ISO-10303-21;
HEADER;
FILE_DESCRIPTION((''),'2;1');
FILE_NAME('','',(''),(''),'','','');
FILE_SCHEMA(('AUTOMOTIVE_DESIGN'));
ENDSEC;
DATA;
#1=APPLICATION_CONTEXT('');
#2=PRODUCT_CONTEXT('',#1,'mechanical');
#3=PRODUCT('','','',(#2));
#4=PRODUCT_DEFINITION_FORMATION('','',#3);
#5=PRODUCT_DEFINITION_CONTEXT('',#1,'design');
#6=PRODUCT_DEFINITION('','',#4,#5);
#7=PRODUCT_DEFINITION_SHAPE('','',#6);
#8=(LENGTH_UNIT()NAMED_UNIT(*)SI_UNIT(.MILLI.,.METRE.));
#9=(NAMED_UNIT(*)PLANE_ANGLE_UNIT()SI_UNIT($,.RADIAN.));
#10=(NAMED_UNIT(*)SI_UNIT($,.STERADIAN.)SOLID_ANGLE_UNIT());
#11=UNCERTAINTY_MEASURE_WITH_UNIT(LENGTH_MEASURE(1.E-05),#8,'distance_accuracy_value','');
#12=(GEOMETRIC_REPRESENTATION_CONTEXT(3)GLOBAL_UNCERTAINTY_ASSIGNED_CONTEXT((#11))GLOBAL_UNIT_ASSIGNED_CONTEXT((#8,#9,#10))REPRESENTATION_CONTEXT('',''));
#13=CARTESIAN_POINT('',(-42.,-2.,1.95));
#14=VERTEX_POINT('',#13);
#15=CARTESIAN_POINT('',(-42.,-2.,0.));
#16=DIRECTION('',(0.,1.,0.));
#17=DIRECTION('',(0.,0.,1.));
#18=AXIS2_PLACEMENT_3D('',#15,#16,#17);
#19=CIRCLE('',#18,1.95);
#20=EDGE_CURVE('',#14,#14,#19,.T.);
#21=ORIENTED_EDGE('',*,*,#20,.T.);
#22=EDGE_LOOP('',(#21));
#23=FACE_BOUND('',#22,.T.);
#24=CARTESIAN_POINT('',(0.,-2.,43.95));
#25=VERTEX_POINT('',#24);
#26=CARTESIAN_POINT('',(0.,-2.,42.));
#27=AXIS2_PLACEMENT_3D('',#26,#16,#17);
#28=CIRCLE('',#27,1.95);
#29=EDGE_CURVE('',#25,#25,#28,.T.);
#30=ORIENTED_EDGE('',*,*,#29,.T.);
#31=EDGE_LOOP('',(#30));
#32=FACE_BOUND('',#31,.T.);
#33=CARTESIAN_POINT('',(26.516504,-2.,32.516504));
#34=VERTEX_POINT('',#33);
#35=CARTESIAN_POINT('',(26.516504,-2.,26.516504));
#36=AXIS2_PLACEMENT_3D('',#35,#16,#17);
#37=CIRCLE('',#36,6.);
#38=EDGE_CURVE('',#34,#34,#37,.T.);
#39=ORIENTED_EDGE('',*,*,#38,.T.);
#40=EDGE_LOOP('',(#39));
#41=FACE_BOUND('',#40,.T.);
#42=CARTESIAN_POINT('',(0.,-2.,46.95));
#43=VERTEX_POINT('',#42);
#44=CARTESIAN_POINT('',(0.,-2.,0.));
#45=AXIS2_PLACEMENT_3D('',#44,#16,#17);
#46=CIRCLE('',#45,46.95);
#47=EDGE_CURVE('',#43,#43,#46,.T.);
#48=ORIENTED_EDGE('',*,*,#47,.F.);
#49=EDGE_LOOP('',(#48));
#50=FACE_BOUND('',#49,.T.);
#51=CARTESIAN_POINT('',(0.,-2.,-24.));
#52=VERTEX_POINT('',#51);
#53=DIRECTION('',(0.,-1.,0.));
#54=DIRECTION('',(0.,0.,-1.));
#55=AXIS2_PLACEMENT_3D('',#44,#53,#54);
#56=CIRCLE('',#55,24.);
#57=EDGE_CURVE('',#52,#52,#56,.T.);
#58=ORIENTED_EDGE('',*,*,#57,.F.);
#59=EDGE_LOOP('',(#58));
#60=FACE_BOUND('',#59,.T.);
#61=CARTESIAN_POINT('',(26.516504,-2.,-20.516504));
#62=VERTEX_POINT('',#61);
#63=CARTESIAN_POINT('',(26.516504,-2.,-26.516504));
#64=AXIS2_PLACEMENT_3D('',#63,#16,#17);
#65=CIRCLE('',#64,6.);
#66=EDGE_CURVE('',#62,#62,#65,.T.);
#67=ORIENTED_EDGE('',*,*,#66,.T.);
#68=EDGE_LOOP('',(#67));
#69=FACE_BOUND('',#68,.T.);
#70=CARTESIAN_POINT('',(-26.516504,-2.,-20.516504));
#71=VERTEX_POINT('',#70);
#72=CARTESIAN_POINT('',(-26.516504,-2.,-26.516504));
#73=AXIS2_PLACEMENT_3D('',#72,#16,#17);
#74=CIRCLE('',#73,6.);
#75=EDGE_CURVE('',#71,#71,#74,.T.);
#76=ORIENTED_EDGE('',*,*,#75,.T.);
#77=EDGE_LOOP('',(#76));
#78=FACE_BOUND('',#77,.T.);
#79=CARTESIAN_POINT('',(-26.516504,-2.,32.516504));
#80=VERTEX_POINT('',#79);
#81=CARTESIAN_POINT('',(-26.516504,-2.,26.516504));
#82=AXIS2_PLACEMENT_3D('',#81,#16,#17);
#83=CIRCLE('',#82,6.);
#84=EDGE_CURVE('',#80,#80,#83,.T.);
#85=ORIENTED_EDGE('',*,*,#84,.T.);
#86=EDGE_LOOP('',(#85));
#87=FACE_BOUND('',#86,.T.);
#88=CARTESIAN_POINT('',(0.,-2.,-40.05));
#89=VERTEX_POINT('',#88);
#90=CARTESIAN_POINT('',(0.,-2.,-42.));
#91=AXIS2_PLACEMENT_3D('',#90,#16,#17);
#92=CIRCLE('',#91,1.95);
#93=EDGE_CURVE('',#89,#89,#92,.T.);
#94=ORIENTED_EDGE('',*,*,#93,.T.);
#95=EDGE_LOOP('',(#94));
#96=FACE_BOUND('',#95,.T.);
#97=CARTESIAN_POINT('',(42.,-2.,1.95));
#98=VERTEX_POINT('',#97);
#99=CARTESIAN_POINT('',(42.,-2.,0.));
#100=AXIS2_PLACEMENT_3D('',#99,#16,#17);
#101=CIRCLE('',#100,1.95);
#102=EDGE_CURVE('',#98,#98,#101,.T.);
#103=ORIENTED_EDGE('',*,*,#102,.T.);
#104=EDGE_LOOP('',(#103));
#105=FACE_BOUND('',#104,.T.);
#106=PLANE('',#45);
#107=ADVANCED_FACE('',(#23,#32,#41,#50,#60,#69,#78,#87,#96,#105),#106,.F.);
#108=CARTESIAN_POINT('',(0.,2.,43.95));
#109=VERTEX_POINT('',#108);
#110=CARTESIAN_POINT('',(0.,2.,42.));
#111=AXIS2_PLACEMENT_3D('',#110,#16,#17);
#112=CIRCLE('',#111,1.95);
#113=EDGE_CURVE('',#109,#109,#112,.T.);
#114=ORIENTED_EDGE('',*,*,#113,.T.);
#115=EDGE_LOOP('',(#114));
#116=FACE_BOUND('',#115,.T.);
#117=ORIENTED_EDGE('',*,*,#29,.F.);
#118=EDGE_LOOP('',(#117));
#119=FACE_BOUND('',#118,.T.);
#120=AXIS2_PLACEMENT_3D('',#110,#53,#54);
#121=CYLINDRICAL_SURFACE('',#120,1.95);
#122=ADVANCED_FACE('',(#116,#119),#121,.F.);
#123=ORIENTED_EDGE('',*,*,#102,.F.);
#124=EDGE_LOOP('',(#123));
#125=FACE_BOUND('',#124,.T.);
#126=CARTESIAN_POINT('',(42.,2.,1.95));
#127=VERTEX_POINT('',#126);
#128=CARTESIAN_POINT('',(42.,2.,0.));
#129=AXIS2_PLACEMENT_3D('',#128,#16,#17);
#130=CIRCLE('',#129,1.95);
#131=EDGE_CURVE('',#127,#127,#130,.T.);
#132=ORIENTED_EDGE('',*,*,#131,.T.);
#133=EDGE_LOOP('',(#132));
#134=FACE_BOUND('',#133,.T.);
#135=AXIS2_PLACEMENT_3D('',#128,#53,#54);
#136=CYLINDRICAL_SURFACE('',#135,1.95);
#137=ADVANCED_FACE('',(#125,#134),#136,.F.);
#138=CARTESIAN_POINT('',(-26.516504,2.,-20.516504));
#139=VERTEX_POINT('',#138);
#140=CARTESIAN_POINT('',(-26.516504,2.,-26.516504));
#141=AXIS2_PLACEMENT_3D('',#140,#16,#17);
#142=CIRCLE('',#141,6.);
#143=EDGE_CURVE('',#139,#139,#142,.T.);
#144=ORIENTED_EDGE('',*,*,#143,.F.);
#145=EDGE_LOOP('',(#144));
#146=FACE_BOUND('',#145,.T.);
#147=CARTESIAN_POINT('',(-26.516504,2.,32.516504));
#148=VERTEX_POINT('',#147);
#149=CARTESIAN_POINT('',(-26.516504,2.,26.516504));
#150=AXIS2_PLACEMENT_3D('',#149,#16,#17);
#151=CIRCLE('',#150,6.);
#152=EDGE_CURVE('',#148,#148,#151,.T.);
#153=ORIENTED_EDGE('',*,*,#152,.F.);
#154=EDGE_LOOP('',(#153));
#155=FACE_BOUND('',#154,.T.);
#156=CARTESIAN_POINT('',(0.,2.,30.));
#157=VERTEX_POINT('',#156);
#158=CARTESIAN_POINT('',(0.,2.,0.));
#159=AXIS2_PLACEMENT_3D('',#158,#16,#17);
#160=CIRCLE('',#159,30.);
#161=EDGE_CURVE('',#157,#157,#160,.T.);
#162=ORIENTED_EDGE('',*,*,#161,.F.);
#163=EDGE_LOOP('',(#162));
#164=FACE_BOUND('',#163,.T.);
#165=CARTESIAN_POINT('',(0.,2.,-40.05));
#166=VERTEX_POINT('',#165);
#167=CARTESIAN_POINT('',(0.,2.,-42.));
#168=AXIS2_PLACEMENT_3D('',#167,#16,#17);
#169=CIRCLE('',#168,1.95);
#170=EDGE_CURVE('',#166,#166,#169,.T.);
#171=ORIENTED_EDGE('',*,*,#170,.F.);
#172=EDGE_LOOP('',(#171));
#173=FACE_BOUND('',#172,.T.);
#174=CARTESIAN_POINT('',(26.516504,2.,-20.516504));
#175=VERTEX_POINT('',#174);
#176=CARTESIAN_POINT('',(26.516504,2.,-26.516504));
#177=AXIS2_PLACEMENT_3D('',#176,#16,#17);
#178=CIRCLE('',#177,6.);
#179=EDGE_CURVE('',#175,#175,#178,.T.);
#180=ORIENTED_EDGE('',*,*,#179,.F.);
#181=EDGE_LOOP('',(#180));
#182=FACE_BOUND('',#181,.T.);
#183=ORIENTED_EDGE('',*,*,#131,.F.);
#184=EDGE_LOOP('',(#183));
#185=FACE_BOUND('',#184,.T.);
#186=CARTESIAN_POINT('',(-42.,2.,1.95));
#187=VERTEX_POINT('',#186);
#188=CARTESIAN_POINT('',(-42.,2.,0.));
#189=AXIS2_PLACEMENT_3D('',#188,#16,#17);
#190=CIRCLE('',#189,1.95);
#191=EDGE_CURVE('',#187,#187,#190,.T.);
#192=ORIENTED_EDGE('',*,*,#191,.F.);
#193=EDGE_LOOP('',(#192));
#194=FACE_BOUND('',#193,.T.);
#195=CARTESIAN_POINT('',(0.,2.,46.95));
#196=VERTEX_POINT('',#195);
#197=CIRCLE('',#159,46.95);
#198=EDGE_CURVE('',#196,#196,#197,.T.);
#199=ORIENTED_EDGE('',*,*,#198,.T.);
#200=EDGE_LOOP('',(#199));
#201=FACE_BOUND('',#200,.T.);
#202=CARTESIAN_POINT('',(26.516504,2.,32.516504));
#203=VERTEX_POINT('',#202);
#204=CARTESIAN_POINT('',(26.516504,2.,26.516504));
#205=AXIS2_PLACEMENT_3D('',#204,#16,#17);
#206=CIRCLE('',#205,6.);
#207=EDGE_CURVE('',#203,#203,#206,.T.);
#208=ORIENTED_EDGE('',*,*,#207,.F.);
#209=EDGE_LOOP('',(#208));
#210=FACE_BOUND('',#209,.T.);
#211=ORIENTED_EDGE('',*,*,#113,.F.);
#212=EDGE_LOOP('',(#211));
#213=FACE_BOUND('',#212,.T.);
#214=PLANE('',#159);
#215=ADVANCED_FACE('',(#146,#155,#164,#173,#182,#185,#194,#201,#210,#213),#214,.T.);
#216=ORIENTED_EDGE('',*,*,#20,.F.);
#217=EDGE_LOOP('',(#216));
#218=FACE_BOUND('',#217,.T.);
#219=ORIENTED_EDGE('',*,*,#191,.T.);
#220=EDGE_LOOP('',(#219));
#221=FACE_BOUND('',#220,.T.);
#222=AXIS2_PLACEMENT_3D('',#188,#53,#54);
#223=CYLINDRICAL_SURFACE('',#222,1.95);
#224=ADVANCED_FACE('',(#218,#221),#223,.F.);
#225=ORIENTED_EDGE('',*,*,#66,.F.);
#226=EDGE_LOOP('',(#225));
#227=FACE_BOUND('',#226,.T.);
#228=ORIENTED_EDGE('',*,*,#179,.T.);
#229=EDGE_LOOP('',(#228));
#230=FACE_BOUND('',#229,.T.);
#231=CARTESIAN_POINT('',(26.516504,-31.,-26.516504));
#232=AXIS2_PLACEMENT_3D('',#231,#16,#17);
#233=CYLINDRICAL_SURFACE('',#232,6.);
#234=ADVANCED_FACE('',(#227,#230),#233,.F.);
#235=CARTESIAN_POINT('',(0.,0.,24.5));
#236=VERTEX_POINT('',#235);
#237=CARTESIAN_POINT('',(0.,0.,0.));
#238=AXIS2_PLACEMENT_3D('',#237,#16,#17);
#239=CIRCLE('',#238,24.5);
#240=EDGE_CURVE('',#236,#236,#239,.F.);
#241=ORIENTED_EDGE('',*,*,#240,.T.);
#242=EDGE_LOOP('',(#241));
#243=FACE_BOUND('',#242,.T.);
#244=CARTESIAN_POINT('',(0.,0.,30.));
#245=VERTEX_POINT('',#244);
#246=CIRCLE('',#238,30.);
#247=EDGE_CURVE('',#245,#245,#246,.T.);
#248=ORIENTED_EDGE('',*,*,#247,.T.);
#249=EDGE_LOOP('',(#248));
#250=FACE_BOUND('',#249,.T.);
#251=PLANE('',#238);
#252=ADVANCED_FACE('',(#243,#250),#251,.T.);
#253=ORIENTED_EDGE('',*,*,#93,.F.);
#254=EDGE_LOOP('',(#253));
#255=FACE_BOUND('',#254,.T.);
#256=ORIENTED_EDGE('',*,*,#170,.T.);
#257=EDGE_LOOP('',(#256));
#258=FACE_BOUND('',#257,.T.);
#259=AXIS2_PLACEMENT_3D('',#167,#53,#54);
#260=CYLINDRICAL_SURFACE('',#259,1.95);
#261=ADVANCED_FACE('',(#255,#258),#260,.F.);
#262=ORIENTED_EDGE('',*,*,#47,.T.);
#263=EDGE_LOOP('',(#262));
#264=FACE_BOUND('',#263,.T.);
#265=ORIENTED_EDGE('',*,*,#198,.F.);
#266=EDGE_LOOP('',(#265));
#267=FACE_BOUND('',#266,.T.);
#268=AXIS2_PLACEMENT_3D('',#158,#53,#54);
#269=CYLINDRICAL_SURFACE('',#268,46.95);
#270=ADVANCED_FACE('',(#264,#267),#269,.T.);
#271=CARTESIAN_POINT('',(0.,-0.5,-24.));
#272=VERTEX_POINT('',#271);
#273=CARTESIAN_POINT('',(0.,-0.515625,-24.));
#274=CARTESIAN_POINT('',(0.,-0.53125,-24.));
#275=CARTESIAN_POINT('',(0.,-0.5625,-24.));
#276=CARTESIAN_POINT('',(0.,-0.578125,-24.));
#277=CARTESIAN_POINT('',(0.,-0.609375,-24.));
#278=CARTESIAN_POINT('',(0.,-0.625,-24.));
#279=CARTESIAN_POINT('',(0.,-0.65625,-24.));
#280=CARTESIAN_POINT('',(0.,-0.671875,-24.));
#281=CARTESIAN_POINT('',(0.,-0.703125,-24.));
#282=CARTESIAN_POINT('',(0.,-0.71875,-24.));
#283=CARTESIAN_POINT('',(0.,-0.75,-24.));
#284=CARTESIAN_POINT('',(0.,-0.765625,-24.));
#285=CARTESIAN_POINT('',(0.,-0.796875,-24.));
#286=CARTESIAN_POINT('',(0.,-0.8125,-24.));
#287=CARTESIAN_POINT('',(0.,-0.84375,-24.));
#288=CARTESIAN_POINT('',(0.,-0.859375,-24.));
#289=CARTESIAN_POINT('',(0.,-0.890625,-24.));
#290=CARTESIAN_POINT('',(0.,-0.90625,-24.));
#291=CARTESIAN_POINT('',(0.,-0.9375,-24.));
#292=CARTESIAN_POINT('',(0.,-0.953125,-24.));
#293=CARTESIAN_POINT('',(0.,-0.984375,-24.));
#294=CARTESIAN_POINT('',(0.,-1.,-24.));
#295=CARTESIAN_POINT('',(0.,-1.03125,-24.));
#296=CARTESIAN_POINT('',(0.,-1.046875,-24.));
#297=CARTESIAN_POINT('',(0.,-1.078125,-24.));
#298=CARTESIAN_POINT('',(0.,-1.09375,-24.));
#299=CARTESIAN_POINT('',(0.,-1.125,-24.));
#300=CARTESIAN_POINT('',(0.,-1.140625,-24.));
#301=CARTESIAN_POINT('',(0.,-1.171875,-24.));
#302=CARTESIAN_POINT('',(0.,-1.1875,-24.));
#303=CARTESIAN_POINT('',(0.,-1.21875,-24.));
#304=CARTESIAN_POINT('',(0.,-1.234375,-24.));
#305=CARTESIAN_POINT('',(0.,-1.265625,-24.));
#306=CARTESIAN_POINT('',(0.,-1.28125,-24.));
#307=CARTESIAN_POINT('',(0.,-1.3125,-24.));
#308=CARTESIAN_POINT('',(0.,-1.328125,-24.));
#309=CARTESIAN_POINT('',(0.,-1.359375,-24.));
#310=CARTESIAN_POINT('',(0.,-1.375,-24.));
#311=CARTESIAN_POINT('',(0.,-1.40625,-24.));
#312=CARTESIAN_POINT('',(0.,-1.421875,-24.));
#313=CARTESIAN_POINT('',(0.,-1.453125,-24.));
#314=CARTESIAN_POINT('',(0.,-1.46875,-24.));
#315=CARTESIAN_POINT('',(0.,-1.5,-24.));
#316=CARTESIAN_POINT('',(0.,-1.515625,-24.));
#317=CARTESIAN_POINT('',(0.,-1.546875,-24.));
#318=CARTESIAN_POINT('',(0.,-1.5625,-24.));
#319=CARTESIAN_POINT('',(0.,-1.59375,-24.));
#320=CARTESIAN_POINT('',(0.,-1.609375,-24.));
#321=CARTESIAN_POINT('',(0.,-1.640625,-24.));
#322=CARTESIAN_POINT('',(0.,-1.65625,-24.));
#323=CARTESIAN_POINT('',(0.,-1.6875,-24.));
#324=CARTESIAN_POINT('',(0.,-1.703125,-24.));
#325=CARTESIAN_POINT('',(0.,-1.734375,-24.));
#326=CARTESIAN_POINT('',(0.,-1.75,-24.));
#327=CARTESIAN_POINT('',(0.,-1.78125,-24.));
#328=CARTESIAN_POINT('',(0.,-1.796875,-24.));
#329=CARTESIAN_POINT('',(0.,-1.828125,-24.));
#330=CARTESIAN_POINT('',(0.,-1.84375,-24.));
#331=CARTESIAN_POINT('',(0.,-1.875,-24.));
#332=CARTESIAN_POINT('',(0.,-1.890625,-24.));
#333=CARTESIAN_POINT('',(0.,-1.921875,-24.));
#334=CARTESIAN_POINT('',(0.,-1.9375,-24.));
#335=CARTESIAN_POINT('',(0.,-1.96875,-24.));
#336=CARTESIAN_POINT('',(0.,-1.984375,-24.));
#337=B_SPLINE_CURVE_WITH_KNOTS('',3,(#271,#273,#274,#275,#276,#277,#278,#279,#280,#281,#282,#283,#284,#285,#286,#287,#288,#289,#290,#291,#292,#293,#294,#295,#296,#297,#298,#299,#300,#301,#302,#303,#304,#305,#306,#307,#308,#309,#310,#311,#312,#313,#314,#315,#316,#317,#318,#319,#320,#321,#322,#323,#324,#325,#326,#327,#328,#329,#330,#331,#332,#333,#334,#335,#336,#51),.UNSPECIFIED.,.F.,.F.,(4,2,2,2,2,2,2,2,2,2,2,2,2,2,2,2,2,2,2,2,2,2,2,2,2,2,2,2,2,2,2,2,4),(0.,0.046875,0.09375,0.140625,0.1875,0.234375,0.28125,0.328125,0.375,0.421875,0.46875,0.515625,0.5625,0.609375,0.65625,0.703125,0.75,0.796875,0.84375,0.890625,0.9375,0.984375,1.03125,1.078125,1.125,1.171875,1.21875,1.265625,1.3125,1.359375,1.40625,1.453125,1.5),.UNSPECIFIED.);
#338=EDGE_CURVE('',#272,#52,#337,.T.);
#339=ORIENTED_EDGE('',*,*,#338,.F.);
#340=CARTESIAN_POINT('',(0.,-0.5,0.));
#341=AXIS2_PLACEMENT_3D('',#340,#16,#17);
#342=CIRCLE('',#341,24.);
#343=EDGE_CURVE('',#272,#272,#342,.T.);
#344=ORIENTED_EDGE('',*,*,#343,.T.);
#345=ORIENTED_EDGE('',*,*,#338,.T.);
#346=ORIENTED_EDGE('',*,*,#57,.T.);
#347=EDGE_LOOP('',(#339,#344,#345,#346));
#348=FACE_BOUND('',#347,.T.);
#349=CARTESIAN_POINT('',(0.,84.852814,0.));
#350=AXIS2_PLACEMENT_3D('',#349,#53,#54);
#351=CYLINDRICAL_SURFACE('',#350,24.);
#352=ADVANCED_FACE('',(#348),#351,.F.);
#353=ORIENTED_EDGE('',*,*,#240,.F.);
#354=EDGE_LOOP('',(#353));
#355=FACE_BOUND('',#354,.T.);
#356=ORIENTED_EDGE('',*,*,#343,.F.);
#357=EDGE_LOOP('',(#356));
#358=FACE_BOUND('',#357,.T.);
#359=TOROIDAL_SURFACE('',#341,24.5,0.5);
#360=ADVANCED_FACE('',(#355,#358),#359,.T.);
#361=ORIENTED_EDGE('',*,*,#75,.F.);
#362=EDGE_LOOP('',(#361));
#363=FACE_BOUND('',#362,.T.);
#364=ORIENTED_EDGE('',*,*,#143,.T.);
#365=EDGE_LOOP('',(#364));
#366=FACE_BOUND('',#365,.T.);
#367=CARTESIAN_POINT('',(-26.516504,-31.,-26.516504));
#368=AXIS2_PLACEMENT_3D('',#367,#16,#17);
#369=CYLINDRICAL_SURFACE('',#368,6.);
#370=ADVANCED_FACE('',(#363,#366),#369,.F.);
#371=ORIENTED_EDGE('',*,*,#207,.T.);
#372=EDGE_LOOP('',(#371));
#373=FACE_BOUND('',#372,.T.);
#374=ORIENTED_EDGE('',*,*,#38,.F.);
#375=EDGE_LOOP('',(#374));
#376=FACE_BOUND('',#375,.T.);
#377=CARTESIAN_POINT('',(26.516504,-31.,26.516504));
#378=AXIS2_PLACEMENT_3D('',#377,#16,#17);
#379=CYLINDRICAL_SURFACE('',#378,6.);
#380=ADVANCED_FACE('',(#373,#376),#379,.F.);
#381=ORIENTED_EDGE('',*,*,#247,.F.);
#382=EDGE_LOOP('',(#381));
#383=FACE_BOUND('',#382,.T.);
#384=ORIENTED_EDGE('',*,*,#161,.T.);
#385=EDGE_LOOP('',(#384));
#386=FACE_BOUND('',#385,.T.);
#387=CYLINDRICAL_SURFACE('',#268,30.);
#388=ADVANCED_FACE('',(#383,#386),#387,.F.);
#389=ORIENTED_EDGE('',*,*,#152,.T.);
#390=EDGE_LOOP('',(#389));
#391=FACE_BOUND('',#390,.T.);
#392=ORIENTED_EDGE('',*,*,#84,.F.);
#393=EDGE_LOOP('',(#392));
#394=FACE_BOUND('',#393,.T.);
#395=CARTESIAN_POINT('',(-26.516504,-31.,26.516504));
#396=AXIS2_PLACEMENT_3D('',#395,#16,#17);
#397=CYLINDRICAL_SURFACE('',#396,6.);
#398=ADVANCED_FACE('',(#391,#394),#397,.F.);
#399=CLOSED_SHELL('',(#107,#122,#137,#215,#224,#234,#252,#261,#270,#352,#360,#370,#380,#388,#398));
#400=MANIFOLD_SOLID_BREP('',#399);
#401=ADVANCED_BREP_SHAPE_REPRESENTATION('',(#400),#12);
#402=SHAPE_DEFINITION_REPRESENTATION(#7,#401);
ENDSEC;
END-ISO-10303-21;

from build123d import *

# Parameters (mm, degrees)
SKETCH1_R           = 46.95
SKETCH1_R_2         = 1.95
SKETCH1_R_3         = 30
BOSS_EXTRUDE1_DEPTH = 2
SKETCH2_R           = 30
SKETCH2_R_2         = 24
BOSS_EXTRUDE2_DEPTH = 2
CUT_EXTRUDE1_START  = -33
SKETCH3_R           = 1.95
SKETCH3_R_2         = 6
CUT_EXTRUDE1_DEPTH  = 33
FILLET1_R           = 0.5


with BuildPart() as part:
    # Sketch1 → Boss-Extrude1 (new, symmetric)
    with BuildSketch(Plane(origin=(0, 0, 0), x_dir=(1, 0, 0), z_dir=(0, 1, 0))):
        with Locations(Location((0, 0, 0), (0, 0, 270))):
            Circle(SKETCH1_R)
        with Locations(Location((0, 42, 0), (0, 0, 270))):
            Circle(SKETCH1_R_2, mode=Mode.SUBTRACT)
        with Locations(Location((42, 0, 0), (0, 0, 270))):
            Circle(SKETCH1_R_2, mode=Mode.SUBTRACT)
        with Locations(Location((0, -42, 0), (0, 0, 270))):
            Circle(SKETCH1_R_2, mode=Mode.SUBTRACT)
        with Locations(Location((-42, 0, 0), (0, 0, 270))):
            Circle(SKETCH1_R_2, mode=Mode.SUBTRACT)
        with Locations(Location((0, 0, 0), (0, 0, 270))):
            Circle(SKETCH1_R_3, mode=Mode.SUBTRACT)
    extrude(amount=BOSS_EXTRUDE1_DEPTH, both=True)

    # Sketch2 → Boss-Extrude2 (add)
    with BuildSketch(Plane.XZ.offset(2)):
        with Locations(Location((0, 0, 0), (0, 0, 90))):
            Circle(SKETCH2_R)
        with Locations(Location((0, 0, 0), (0, 0, 270))):
            Circle(SKETCH2_R_2, mode=Mode.SUBTRACT)
    extrude(amount=-BOSS_EXTRUDE2_DEPTH)

    # Sketch3 → Cut-Extrude1 (cut)
    with BuildSketch(Plane(origin=(0, 2, 0), x_dir=(1, 0, 0), z_dir=(0, 1, 0)).offset(CUT_EXTRUDE1_START)):
        with Locations(Location((-42, 0, 0), (0, 0, 270))):
            Circle(SKETCH3_R)
        with Locations(Location((-26.516504294, 26.516504294, 0), (0, 0, 270))):
            Circle(SKETCH3_R_2)
        with Locations(Location((26.516504294, 26.516504294, 0), (0, 0, 270))):
            Circle(SKETCH3_R_2)
        with Locations(Location((26.516504294, -26.516504294, 0), (0, 0, 270))):
            Circle(SKETCH3_R_2)
        with Locations(Location((-26.516504294, -26.516504294, 0), (0, 0, 270))):
            Circle(SKETCH3_R_2)
    extrude(amount=CUT_EXTRUDE1_DEPTH, mode=Mode.SUBTRACT)

    # Fillet1
    fillet1_edges = [part.edges().sort_by_distance(p)[0] for p in [
        (0, 0, 24),
    ]]
    fillet(fillet1_edges, radius=FILLET1_R)


solid = part.part
